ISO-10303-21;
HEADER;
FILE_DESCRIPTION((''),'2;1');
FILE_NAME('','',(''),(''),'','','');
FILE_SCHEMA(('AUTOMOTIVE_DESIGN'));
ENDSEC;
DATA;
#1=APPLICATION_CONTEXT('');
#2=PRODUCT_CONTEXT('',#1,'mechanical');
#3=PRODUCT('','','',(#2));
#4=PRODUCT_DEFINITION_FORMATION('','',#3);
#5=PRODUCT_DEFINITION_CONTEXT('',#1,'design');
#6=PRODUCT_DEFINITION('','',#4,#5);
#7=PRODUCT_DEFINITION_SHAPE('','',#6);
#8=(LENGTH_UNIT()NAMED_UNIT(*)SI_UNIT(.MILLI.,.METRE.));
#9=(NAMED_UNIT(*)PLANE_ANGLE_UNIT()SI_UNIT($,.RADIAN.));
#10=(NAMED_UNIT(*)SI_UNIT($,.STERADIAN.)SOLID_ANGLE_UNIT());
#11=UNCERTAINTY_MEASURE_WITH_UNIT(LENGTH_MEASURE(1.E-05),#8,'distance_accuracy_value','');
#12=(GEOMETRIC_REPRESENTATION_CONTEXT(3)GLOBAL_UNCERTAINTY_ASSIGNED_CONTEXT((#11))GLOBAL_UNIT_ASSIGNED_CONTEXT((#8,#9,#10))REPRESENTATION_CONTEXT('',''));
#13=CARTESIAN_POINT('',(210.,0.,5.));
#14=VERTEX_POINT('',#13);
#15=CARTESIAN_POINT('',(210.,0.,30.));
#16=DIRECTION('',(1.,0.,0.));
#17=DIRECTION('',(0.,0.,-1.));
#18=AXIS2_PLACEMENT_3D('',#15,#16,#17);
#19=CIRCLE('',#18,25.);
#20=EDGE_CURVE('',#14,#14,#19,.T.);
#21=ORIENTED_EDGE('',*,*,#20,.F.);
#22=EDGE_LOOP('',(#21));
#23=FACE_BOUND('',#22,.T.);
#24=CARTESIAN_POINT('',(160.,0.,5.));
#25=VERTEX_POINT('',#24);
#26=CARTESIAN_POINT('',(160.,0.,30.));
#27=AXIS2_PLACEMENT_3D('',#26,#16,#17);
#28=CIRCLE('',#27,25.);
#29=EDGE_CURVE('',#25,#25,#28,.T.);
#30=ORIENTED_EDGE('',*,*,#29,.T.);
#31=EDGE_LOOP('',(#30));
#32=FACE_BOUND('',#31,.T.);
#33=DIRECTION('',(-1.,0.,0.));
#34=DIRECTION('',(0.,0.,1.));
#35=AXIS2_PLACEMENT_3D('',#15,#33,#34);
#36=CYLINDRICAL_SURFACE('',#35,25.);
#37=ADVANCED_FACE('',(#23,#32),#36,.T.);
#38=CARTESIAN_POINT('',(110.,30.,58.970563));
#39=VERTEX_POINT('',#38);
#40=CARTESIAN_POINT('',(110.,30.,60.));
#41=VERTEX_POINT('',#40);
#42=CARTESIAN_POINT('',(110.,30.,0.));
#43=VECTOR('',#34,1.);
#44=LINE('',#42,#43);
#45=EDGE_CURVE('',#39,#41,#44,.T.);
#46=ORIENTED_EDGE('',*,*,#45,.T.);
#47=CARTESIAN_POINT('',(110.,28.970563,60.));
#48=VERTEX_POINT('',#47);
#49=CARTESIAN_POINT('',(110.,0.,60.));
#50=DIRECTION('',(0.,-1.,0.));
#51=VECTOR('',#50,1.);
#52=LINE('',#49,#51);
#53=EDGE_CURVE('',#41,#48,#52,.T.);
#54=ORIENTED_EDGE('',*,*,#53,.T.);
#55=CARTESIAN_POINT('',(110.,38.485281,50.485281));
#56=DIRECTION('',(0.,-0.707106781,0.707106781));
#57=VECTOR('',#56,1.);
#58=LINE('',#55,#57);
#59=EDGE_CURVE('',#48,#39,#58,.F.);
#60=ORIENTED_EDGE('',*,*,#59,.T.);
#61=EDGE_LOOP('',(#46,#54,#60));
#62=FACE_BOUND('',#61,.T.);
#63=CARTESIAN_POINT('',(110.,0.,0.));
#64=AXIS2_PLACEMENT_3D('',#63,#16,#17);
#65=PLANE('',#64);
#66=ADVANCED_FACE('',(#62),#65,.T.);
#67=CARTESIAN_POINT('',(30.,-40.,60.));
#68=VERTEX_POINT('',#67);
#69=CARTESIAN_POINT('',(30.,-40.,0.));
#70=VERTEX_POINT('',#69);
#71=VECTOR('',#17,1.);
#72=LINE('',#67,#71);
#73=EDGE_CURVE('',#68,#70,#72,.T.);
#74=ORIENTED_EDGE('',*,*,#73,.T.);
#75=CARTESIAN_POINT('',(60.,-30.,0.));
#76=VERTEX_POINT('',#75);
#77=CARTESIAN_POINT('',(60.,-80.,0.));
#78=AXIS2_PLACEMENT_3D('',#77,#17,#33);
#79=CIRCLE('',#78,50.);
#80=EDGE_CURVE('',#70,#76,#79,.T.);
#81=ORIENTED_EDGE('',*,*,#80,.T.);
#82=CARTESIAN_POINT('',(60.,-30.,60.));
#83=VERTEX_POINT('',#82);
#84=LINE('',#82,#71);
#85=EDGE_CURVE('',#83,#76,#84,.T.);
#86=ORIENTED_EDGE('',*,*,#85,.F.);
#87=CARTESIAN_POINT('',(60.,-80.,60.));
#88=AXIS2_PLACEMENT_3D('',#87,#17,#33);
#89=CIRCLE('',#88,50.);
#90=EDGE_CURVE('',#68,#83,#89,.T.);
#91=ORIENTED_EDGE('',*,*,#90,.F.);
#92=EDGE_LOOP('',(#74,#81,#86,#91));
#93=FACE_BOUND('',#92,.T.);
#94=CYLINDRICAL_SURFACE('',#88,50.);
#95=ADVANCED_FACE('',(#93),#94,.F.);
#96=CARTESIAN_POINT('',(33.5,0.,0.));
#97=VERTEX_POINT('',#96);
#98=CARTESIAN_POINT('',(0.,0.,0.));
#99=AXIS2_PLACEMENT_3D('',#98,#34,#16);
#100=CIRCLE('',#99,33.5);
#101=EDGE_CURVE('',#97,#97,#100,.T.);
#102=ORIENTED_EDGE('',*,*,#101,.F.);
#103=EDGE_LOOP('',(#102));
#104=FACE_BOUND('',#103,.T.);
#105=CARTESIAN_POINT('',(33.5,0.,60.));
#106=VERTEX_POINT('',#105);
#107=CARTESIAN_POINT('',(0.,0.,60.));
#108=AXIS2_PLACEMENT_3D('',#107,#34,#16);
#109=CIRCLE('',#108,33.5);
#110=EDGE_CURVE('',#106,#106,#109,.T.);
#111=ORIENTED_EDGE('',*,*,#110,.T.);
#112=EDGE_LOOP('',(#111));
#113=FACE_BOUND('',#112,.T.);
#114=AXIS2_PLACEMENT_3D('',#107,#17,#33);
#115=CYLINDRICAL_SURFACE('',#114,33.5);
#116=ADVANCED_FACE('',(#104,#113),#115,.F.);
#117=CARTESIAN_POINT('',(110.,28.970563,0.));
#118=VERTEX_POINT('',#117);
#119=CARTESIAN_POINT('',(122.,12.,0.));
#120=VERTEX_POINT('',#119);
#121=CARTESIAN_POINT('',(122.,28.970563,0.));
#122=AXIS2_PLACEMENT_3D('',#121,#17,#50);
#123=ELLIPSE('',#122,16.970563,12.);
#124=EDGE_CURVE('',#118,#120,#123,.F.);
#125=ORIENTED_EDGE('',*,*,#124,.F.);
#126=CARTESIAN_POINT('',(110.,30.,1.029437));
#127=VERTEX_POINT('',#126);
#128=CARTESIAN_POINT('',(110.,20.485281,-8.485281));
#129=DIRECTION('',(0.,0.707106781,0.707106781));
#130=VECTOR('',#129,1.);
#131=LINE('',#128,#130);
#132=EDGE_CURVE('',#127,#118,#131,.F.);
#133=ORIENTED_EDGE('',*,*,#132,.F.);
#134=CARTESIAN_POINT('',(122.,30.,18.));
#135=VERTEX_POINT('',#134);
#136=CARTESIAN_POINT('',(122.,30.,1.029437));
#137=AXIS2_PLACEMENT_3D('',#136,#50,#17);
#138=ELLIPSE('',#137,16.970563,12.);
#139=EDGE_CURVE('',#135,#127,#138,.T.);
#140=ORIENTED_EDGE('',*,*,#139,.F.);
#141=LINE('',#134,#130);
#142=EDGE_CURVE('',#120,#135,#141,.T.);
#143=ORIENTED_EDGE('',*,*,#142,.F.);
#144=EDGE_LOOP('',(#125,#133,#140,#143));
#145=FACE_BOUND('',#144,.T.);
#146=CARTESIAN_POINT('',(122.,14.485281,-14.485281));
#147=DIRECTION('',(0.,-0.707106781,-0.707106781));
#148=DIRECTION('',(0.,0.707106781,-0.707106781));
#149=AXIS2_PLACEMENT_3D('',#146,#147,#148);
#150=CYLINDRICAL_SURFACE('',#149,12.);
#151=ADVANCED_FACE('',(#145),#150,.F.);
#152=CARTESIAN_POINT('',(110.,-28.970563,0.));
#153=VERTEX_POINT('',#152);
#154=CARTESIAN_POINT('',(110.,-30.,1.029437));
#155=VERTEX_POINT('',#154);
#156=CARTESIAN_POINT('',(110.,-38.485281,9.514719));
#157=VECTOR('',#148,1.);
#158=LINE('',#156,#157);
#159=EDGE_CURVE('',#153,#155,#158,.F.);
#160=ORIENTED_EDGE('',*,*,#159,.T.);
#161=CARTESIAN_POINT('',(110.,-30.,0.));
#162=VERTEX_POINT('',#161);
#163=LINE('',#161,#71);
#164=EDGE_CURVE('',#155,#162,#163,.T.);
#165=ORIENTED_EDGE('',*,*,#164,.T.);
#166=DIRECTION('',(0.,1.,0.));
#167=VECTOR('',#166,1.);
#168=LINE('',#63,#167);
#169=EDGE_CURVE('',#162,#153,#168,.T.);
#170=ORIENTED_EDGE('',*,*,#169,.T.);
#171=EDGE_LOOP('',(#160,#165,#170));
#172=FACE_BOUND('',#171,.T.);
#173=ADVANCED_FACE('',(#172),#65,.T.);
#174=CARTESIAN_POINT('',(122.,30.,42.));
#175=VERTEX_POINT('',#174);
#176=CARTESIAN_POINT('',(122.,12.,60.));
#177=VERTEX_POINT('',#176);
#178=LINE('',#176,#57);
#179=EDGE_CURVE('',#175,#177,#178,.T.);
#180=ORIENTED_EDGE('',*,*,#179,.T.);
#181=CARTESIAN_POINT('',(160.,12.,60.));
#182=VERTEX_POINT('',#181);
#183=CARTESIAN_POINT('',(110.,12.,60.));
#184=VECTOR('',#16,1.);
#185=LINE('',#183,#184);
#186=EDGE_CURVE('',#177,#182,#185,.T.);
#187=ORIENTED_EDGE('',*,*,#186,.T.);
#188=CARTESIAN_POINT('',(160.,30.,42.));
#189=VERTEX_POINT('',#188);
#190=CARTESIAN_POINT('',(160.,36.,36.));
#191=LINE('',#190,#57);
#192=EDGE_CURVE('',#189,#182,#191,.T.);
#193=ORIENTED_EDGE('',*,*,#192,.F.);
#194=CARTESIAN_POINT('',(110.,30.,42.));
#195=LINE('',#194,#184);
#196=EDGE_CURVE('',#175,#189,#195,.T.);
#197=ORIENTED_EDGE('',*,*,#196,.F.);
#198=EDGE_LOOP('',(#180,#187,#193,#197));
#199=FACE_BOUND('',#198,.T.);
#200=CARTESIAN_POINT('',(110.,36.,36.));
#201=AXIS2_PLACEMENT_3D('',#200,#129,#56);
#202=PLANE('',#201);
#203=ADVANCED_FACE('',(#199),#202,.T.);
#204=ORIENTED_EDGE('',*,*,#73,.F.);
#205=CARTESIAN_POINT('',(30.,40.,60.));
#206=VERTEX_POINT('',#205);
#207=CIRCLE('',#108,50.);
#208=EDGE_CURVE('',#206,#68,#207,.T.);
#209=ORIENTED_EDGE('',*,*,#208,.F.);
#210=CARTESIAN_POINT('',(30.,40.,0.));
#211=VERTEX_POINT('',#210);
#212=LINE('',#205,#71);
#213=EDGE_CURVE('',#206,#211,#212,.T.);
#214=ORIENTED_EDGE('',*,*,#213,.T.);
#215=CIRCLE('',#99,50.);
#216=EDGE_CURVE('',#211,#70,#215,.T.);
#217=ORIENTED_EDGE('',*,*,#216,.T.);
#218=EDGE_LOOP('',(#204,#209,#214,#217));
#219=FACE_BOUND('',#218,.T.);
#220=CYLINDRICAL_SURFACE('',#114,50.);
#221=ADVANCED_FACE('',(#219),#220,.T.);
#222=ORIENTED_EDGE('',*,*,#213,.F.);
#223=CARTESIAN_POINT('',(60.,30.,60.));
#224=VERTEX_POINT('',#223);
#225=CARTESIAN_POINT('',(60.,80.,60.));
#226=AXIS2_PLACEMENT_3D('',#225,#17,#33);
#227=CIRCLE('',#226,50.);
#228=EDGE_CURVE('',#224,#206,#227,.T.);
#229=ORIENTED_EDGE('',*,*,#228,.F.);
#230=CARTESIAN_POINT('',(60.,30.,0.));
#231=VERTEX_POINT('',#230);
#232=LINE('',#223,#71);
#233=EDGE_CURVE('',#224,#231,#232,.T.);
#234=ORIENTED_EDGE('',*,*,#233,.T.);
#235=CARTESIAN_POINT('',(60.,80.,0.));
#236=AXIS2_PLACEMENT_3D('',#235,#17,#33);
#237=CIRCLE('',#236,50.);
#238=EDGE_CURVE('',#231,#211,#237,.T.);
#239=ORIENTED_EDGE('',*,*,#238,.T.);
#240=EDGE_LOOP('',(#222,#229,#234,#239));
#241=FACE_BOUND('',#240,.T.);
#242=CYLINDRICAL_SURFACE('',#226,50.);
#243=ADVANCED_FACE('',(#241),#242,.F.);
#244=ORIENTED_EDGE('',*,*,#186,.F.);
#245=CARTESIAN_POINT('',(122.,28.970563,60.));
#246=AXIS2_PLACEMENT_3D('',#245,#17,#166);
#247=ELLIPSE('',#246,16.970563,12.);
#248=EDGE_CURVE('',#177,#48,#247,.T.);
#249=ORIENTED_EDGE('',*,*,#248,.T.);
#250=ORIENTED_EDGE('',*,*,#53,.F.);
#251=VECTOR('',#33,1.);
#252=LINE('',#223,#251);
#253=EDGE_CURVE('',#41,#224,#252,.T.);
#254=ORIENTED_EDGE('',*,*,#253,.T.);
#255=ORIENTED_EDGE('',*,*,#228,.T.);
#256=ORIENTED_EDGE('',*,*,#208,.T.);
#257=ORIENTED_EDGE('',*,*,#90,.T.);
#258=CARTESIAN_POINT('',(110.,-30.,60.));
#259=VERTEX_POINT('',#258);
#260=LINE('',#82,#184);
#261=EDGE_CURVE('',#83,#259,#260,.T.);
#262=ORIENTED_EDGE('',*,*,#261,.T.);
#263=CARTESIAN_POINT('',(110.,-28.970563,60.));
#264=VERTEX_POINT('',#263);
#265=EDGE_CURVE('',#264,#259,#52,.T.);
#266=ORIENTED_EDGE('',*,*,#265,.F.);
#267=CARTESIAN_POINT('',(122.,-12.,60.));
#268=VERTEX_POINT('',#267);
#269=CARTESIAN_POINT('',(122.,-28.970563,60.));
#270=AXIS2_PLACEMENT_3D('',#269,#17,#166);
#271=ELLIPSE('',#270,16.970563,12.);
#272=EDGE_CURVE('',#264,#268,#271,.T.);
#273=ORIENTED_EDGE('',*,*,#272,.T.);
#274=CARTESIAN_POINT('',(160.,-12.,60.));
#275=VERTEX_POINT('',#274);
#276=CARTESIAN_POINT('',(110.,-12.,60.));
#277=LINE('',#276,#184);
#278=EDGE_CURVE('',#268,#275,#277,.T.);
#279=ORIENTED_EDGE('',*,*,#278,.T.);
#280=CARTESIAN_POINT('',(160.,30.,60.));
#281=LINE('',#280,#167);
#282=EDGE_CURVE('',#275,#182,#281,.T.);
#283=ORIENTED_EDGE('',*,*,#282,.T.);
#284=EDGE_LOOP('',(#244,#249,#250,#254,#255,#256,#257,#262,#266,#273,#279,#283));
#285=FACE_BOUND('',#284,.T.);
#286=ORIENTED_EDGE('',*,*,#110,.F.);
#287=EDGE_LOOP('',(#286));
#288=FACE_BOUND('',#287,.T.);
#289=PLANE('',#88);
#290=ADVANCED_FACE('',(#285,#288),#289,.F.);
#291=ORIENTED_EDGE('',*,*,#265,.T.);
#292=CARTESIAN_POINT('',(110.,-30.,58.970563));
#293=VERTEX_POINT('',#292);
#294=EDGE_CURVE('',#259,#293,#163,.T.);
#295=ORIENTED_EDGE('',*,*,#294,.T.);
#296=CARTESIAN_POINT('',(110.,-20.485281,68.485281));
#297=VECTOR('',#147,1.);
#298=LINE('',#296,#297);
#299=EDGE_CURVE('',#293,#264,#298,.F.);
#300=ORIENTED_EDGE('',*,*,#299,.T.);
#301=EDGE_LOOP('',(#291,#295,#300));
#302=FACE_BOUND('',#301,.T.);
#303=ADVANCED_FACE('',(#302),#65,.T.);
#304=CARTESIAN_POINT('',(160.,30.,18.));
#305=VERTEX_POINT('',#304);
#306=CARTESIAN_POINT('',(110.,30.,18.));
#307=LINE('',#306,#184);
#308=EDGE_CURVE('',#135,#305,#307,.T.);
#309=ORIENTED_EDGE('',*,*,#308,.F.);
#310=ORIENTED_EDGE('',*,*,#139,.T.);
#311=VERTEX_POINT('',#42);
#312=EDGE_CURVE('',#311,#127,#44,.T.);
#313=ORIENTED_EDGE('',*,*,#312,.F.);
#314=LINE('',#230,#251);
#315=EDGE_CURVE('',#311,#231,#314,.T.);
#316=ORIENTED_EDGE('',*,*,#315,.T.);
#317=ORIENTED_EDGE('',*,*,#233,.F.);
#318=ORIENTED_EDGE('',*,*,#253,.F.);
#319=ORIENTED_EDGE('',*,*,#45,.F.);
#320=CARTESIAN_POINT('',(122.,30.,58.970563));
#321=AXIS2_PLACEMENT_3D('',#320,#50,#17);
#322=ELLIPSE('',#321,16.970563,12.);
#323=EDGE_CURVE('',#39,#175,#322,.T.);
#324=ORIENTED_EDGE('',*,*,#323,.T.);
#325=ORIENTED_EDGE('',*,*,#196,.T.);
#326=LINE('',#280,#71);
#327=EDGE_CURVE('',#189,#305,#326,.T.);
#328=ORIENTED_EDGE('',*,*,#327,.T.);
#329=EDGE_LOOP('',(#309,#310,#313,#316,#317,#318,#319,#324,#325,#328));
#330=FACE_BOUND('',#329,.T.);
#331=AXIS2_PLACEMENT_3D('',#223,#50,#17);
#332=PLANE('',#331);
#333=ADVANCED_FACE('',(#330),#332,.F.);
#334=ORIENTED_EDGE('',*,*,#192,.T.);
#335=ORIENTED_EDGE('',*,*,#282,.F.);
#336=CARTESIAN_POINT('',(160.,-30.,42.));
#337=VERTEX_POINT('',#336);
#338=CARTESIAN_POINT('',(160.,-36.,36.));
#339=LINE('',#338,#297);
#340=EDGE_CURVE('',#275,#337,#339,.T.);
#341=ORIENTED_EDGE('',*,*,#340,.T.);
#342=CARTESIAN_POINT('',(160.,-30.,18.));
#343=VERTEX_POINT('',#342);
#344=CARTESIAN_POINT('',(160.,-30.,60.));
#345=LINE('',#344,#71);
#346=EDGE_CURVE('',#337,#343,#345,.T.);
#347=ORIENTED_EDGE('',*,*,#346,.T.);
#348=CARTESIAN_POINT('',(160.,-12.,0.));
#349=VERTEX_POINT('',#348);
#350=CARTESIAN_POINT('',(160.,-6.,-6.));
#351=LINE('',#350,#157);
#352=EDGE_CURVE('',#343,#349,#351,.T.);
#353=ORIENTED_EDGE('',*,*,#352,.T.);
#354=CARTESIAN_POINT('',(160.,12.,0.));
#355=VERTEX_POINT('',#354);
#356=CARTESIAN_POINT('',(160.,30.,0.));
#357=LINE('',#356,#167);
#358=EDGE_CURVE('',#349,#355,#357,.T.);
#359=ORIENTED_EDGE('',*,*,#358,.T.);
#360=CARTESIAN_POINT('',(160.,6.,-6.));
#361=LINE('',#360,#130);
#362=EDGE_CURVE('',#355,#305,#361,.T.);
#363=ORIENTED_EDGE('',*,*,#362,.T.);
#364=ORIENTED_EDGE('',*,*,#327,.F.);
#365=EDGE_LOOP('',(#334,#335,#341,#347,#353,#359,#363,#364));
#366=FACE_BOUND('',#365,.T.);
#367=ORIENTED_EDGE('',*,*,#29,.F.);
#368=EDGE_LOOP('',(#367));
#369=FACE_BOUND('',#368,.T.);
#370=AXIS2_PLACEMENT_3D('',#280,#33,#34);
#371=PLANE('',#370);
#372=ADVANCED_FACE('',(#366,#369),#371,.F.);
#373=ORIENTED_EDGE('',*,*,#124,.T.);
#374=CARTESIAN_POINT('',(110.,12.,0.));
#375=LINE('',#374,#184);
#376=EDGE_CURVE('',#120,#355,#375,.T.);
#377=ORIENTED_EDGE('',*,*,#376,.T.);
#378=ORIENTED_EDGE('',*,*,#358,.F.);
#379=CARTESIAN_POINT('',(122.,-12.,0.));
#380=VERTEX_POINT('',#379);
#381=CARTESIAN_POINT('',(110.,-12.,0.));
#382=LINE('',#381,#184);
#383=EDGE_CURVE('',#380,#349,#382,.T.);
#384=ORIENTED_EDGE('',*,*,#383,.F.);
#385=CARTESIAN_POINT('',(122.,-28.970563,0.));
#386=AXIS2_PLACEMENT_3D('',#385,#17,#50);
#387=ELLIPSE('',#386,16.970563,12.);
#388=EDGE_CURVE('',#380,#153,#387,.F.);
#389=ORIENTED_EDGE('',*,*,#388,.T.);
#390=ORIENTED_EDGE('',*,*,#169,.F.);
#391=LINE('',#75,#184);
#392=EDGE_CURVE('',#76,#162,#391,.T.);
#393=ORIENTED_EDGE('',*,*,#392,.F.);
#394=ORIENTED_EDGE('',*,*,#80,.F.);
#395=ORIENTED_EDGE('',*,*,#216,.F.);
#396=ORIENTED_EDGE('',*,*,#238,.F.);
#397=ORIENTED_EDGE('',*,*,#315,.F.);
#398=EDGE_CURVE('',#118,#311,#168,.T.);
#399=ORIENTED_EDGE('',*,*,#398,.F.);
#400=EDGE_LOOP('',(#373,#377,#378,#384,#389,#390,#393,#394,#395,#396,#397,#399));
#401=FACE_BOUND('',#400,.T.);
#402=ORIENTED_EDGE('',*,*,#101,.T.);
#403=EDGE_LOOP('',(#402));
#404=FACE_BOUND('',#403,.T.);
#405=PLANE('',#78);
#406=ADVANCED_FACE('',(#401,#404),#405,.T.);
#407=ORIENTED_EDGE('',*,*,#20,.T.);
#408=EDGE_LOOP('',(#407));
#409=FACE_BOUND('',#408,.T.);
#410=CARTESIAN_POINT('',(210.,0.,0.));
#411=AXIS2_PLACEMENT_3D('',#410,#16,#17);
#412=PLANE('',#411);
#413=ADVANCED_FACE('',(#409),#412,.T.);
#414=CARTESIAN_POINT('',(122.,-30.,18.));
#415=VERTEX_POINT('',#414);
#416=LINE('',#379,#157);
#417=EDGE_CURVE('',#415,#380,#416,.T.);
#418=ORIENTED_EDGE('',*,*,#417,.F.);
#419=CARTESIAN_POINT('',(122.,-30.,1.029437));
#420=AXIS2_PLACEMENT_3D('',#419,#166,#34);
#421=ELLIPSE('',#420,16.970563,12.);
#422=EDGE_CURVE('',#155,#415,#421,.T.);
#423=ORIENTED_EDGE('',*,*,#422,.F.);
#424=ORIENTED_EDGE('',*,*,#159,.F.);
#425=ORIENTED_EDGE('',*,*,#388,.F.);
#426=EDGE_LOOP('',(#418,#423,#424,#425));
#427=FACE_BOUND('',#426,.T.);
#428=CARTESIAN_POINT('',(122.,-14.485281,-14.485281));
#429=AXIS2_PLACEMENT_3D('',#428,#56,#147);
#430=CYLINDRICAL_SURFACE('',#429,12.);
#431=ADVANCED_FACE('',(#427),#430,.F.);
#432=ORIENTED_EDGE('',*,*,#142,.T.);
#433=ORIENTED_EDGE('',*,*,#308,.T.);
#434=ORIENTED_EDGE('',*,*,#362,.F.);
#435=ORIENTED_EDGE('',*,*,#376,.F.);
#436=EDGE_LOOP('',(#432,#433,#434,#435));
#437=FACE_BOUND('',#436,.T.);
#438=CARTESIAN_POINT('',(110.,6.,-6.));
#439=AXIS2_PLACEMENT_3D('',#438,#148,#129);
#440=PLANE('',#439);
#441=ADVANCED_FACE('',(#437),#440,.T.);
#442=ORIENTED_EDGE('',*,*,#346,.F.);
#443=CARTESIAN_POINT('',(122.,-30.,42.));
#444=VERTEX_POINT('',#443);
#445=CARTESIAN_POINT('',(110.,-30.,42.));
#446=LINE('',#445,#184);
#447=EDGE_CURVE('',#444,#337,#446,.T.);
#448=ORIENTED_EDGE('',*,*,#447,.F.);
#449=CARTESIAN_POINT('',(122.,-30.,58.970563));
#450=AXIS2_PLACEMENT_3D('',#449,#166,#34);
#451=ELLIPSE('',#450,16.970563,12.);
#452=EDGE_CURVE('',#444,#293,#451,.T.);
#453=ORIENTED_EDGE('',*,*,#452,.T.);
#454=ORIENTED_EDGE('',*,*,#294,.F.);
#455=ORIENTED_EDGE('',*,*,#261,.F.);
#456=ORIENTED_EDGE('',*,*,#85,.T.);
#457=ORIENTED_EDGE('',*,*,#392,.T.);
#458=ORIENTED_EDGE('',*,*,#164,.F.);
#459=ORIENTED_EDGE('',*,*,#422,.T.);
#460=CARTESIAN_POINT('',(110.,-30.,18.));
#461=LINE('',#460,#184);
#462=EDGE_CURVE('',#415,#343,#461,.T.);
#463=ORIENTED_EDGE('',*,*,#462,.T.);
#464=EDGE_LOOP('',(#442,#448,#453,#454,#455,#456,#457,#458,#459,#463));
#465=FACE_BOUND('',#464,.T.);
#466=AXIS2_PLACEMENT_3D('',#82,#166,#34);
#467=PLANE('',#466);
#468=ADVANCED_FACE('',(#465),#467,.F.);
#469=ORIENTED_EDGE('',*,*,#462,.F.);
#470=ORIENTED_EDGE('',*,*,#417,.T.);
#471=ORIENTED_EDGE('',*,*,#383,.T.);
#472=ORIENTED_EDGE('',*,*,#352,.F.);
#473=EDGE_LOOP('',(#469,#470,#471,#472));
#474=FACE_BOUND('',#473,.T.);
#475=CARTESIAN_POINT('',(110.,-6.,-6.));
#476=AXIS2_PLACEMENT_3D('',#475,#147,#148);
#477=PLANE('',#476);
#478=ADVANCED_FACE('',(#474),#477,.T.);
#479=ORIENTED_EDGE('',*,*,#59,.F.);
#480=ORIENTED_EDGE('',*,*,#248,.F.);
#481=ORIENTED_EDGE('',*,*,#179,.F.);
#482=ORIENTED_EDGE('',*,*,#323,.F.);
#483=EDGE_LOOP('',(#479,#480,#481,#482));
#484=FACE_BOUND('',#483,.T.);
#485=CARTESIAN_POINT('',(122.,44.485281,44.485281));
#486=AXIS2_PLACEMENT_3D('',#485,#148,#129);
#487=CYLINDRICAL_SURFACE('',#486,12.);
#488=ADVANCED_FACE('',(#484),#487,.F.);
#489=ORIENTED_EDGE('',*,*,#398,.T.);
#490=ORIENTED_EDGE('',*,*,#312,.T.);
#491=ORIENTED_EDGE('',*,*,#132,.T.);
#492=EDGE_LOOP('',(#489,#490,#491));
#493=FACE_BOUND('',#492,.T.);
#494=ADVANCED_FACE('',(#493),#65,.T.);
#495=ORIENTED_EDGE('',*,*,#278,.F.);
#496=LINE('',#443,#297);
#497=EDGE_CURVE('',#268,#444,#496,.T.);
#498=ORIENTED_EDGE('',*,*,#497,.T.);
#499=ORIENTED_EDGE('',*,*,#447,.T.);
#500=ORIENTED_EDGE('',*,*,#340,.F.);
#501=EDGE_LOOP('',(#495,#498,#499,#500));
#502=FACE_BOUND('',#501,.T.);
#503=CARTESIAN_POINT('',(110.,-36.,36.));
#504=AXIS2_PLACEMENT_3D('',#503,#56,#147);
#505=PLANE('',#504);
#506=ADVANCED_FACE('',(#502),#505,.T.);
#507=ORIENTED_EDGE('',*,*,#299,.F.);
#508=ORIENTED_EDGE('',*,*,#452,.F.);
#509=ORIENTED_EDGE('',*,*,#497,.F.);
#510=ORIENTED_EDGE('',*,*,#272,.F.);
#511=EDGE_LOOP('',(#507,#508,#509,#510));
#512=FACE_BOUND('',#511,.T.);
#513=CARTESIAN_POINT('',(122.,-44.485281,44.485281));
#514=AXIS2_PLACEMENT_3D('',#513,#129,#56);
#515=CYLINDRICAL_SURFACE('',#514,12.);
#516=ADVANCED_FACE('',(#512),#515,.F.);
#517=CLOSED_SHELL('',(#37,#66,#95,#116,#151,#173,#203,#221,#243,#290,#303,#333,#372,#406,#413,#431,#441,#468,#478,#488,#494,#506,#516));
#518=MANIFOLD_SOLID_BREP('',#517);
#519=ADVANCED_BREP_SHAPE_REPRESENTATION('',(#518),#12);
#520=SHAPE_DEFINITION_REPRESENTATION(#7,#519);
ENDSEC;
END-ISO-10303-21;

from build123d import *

# Parameters (mm, degrees)
SKETCH2_R           = 33.5
BOSS_EXTRUDE1_DEPTH = 60
CUT_EXTRUDE1_DEPTH  = 50
SKETCH3_3_R         = 25
BOSS_EXTRUDE2_DEPTH = 50
FILLET1_R           = 12


with BuildPart() as part:
    # Sketch2 → Boss-Extrude1 (new body)
    with BuildSketch(Plane.XY):
        with BuildLine():
            Line((60, 30), (160, 30))
            Line((160, 30), (160, -30))
            Line((160, -30), (60, -30))
            ThreePointArc((60, -30), (44.188611699, -32.565835097), (30, -40))
            ThreePointArc((30, -40), (-50, 0), (30, 40))
            ThreePointArc((30, 40), (44.188611699, 32.565835097), (60, 30))
        make_face()
        Circle(SKETCH2_R, mode=Mode.SUBTRACT)
    extrude(amount=BOSS_EXTRUDE1_DEPTH)

    # Sketch3 → Cut-Extrude1 (cut)
    with BuildSketch(Plane(origin=(160, 0, 0), x_dir=(0, 0, -1), z_dir=(1, 0, 0))):
        Polygon((-60, 12), (-42, 30), (-60, 30), align=None)
        Polygon((0, 30), (-18, 30), (0, 12), align=None)
        Polygon((0, -30), (0, -12), (-18, -30), align=None)
        Polygon((-42, -30), (-60, -12), (-60, -30), align=None)
    extrude(amount=-CUT_EXTRUDE1_DEPTH, mode=Mode.SUBTRACT)

    # Sketch3<3> → Boss-Extrude2 (add)
    with BuildSketch(Plane(origin=(160, 0, 0), x_dir=(0, 0, -1), z_dir=(1, 0, 0))):
        with Locations((-30, 0)):
            Circle(SKETCH3_3_R)
    extrude(amount=BOSS_EXTRUDE2_DEPTH)

    # Fillet1
    fillet1_edges = [part.edges().sort_by_distance(p)[0] for p in [
        (110, -21, 51),
        (110, -21, 9),
        (110, 21, 9),
        (110, 21, 51),
    ]]
    fillet(fillet1_edges, radius=FILLET1_R)


solid = part.part
